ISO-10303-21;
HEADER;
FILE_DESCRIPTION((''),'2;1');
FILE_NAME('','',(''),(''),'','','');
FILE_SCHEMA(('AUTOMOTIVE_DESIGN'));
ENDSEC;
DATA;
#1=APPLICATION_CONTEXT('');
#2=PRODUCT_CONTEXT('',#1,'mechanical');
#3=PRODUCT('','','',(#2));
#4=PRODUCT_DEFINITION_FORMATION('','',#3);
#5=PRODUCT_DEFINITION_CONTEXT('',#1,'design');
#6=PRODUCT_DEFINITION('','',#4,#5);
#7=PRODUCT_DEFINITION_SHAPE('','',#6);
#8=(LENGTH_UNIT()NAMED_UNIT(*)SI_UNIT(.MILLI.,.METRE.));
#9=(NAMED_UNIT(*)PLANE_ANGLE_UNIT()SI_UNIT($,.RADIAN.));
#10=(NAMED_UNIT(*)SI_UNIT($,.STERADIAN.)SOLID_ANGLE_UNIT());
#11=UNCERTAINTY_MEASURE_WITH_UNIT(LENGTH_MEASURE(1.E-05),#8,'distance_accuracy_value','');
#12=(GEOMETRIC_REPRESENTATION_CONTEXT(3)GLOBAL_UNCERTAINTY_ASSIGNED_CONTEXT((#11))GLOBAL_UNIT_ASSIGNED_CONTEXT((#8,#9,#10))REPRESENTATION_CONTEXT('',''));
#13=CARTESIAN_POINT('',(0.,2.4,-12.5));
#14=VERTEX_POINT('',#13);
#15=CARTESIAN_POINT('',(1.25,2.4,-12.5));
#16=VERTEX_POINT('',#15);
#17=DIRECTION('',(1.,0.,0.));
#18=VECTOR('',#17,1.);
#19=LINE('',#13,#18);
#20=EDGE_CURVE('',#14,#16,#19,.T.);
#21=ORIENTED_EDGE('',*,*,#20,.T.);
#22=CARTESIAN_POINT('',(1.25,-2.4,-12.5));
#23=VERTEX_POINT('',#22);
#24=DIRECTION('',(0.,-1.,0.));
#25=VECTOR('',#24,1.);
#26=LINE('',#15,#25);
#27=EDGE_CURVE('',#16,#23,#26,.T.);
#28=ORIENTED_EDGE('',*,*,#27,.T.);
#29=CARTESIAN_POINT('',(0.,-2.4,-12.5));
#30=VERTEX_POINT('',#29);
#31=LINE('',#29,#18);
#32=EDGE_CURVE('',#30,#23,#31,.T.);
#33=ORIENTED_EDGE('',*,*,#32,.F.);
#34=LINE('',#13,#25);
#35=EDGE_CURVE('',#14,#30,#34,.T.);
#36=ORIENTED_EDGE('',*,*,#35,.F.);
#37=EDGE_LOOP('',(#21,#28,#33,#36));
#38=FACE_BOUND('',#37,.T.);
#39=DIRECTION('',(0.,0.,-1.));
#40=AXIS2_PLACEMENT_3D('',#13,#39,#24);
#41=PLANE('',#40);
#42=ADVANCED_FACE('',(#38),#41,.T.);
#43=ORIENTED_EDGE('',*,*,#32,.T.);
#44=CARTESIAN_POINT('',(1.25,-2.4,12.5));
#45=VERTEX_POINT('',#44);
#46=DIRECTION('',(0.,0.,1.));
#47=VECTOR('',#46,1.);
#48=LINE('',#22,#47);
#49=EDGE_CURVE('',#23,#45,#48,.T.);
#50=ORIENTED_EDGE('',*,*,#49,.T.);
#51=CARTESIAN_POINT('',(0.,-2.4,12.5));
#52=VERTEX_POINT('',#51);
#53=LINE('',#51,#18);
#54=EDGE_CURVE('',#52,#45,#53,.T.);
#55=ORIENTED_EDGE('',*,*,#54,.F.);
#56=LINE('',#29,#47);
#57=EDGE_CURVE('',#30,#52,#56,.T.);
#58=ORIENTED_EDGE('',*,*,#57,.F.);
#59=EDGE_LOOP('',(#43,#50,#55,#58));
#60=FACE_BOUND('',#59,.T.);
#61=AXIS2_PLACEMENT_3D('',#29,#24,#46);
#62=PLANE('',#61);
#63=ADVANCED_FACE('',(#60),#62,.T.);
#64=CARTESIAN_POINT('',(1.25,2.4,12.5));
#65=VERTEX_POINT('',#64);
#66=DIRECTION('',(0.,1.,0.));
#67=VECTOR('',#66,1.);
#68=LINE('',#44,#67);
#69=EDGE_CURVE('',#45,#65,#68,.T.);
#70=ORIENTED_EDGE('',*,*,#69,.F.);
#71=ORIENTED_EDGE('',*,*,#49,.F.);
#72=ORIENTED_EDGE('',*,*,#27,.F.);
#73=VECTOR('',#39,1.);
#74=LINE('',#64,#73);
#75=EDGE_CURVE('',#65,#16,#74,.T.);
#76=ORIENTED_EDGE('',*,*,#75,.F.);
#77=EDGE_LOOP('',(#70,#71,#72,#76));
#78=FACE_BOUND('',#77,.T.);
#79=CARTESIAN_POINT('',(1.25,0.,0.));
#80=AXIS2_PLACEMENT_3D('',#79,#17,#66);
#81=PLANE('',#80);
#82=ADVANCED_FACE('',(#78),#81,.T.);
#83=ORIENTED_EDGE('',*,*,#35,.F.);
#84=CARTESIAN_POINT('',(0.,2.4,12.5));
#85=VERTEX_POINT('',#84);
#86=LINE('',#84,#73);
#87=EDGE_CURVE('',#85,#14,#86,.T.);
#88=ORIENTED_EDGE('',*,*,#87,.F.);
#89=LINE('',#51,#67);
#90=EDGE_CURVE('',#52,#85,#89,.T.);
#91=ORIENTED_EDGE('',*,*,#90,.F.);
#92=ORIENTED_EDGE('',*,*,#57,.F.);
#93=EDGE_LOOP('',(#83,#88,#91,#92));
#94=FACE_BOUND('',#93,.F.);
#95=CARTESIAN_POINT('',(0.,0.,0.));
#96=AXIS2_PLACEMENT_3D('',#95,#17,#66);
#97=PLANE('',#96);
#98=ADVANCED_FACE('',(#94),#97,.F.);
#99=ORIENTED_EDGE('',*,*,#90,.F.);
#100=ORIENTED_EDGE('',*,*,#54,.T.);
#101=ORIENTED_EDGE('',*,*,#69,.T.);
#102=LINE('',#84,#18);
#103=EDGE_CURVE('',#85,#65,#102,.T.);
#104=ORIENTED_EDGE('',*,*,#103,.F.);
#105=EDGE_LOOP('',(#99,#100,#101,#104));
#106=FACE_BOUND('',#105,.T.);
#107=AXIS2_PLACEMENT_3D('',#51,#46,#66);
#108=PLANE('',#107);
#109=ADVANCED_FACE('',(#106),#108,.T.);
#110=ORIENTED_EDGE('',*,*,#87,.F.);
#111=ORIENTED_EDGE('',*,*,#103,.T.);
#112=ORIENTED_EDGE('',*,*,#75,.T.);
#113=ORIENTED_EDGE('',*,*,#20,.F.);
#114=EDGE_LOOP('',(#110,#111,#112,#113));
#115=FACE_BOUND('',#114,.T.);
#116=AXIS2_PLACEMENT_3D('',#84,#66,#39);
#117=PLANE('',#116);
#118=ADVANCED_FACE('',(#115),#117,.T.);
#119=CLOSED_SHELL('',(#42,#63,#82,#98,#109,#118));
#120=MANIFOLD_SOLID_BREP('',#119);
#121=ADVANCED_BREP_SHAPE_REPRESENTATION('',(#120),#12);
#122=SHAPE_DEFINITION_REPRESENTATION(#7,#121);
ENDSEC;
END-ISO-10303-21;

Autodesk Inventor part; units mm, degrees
ref_plane "YZ Plane" through (0, 0, 0) normal (1, 0, 0) x (0, 1, 0)
ref_plane "XZ Plane" through (0, 0, 0) normal (0, 1, 0) x (-1, 0, 0)
ref_plane "XY Plane" through (0, 0, 0) normal (0, 0, 1) x (1, 0, 0)
sketch "Skizze1" plane through (0, 0, 0) normal (1, 0, 0) x (0, 1, 0)
  line L0 (2.4, -12.5) -> (-2.4, -12.5)
  line L1 (-2.4, -12.5) -> (-2.4, 12.5)
  line L2 (-2.4, 12.5) -> (2.4, 12.5)
  line L3 (2.4, 12.5) -> (2.4, -12.5)
  line L4 (2.4, -12.5) -> (-2.4, 12.5) construction
  line L5 (-2.4, -12.5) -> (2.4, 12.5) construction
  point P0 (0, 0)
  dimension "d0" = 4.8
  dimension "d1" = 25
extrude "Extrusion1" add sketch "Skizze1" along normal blind 1.25
properties part number "P_board"
